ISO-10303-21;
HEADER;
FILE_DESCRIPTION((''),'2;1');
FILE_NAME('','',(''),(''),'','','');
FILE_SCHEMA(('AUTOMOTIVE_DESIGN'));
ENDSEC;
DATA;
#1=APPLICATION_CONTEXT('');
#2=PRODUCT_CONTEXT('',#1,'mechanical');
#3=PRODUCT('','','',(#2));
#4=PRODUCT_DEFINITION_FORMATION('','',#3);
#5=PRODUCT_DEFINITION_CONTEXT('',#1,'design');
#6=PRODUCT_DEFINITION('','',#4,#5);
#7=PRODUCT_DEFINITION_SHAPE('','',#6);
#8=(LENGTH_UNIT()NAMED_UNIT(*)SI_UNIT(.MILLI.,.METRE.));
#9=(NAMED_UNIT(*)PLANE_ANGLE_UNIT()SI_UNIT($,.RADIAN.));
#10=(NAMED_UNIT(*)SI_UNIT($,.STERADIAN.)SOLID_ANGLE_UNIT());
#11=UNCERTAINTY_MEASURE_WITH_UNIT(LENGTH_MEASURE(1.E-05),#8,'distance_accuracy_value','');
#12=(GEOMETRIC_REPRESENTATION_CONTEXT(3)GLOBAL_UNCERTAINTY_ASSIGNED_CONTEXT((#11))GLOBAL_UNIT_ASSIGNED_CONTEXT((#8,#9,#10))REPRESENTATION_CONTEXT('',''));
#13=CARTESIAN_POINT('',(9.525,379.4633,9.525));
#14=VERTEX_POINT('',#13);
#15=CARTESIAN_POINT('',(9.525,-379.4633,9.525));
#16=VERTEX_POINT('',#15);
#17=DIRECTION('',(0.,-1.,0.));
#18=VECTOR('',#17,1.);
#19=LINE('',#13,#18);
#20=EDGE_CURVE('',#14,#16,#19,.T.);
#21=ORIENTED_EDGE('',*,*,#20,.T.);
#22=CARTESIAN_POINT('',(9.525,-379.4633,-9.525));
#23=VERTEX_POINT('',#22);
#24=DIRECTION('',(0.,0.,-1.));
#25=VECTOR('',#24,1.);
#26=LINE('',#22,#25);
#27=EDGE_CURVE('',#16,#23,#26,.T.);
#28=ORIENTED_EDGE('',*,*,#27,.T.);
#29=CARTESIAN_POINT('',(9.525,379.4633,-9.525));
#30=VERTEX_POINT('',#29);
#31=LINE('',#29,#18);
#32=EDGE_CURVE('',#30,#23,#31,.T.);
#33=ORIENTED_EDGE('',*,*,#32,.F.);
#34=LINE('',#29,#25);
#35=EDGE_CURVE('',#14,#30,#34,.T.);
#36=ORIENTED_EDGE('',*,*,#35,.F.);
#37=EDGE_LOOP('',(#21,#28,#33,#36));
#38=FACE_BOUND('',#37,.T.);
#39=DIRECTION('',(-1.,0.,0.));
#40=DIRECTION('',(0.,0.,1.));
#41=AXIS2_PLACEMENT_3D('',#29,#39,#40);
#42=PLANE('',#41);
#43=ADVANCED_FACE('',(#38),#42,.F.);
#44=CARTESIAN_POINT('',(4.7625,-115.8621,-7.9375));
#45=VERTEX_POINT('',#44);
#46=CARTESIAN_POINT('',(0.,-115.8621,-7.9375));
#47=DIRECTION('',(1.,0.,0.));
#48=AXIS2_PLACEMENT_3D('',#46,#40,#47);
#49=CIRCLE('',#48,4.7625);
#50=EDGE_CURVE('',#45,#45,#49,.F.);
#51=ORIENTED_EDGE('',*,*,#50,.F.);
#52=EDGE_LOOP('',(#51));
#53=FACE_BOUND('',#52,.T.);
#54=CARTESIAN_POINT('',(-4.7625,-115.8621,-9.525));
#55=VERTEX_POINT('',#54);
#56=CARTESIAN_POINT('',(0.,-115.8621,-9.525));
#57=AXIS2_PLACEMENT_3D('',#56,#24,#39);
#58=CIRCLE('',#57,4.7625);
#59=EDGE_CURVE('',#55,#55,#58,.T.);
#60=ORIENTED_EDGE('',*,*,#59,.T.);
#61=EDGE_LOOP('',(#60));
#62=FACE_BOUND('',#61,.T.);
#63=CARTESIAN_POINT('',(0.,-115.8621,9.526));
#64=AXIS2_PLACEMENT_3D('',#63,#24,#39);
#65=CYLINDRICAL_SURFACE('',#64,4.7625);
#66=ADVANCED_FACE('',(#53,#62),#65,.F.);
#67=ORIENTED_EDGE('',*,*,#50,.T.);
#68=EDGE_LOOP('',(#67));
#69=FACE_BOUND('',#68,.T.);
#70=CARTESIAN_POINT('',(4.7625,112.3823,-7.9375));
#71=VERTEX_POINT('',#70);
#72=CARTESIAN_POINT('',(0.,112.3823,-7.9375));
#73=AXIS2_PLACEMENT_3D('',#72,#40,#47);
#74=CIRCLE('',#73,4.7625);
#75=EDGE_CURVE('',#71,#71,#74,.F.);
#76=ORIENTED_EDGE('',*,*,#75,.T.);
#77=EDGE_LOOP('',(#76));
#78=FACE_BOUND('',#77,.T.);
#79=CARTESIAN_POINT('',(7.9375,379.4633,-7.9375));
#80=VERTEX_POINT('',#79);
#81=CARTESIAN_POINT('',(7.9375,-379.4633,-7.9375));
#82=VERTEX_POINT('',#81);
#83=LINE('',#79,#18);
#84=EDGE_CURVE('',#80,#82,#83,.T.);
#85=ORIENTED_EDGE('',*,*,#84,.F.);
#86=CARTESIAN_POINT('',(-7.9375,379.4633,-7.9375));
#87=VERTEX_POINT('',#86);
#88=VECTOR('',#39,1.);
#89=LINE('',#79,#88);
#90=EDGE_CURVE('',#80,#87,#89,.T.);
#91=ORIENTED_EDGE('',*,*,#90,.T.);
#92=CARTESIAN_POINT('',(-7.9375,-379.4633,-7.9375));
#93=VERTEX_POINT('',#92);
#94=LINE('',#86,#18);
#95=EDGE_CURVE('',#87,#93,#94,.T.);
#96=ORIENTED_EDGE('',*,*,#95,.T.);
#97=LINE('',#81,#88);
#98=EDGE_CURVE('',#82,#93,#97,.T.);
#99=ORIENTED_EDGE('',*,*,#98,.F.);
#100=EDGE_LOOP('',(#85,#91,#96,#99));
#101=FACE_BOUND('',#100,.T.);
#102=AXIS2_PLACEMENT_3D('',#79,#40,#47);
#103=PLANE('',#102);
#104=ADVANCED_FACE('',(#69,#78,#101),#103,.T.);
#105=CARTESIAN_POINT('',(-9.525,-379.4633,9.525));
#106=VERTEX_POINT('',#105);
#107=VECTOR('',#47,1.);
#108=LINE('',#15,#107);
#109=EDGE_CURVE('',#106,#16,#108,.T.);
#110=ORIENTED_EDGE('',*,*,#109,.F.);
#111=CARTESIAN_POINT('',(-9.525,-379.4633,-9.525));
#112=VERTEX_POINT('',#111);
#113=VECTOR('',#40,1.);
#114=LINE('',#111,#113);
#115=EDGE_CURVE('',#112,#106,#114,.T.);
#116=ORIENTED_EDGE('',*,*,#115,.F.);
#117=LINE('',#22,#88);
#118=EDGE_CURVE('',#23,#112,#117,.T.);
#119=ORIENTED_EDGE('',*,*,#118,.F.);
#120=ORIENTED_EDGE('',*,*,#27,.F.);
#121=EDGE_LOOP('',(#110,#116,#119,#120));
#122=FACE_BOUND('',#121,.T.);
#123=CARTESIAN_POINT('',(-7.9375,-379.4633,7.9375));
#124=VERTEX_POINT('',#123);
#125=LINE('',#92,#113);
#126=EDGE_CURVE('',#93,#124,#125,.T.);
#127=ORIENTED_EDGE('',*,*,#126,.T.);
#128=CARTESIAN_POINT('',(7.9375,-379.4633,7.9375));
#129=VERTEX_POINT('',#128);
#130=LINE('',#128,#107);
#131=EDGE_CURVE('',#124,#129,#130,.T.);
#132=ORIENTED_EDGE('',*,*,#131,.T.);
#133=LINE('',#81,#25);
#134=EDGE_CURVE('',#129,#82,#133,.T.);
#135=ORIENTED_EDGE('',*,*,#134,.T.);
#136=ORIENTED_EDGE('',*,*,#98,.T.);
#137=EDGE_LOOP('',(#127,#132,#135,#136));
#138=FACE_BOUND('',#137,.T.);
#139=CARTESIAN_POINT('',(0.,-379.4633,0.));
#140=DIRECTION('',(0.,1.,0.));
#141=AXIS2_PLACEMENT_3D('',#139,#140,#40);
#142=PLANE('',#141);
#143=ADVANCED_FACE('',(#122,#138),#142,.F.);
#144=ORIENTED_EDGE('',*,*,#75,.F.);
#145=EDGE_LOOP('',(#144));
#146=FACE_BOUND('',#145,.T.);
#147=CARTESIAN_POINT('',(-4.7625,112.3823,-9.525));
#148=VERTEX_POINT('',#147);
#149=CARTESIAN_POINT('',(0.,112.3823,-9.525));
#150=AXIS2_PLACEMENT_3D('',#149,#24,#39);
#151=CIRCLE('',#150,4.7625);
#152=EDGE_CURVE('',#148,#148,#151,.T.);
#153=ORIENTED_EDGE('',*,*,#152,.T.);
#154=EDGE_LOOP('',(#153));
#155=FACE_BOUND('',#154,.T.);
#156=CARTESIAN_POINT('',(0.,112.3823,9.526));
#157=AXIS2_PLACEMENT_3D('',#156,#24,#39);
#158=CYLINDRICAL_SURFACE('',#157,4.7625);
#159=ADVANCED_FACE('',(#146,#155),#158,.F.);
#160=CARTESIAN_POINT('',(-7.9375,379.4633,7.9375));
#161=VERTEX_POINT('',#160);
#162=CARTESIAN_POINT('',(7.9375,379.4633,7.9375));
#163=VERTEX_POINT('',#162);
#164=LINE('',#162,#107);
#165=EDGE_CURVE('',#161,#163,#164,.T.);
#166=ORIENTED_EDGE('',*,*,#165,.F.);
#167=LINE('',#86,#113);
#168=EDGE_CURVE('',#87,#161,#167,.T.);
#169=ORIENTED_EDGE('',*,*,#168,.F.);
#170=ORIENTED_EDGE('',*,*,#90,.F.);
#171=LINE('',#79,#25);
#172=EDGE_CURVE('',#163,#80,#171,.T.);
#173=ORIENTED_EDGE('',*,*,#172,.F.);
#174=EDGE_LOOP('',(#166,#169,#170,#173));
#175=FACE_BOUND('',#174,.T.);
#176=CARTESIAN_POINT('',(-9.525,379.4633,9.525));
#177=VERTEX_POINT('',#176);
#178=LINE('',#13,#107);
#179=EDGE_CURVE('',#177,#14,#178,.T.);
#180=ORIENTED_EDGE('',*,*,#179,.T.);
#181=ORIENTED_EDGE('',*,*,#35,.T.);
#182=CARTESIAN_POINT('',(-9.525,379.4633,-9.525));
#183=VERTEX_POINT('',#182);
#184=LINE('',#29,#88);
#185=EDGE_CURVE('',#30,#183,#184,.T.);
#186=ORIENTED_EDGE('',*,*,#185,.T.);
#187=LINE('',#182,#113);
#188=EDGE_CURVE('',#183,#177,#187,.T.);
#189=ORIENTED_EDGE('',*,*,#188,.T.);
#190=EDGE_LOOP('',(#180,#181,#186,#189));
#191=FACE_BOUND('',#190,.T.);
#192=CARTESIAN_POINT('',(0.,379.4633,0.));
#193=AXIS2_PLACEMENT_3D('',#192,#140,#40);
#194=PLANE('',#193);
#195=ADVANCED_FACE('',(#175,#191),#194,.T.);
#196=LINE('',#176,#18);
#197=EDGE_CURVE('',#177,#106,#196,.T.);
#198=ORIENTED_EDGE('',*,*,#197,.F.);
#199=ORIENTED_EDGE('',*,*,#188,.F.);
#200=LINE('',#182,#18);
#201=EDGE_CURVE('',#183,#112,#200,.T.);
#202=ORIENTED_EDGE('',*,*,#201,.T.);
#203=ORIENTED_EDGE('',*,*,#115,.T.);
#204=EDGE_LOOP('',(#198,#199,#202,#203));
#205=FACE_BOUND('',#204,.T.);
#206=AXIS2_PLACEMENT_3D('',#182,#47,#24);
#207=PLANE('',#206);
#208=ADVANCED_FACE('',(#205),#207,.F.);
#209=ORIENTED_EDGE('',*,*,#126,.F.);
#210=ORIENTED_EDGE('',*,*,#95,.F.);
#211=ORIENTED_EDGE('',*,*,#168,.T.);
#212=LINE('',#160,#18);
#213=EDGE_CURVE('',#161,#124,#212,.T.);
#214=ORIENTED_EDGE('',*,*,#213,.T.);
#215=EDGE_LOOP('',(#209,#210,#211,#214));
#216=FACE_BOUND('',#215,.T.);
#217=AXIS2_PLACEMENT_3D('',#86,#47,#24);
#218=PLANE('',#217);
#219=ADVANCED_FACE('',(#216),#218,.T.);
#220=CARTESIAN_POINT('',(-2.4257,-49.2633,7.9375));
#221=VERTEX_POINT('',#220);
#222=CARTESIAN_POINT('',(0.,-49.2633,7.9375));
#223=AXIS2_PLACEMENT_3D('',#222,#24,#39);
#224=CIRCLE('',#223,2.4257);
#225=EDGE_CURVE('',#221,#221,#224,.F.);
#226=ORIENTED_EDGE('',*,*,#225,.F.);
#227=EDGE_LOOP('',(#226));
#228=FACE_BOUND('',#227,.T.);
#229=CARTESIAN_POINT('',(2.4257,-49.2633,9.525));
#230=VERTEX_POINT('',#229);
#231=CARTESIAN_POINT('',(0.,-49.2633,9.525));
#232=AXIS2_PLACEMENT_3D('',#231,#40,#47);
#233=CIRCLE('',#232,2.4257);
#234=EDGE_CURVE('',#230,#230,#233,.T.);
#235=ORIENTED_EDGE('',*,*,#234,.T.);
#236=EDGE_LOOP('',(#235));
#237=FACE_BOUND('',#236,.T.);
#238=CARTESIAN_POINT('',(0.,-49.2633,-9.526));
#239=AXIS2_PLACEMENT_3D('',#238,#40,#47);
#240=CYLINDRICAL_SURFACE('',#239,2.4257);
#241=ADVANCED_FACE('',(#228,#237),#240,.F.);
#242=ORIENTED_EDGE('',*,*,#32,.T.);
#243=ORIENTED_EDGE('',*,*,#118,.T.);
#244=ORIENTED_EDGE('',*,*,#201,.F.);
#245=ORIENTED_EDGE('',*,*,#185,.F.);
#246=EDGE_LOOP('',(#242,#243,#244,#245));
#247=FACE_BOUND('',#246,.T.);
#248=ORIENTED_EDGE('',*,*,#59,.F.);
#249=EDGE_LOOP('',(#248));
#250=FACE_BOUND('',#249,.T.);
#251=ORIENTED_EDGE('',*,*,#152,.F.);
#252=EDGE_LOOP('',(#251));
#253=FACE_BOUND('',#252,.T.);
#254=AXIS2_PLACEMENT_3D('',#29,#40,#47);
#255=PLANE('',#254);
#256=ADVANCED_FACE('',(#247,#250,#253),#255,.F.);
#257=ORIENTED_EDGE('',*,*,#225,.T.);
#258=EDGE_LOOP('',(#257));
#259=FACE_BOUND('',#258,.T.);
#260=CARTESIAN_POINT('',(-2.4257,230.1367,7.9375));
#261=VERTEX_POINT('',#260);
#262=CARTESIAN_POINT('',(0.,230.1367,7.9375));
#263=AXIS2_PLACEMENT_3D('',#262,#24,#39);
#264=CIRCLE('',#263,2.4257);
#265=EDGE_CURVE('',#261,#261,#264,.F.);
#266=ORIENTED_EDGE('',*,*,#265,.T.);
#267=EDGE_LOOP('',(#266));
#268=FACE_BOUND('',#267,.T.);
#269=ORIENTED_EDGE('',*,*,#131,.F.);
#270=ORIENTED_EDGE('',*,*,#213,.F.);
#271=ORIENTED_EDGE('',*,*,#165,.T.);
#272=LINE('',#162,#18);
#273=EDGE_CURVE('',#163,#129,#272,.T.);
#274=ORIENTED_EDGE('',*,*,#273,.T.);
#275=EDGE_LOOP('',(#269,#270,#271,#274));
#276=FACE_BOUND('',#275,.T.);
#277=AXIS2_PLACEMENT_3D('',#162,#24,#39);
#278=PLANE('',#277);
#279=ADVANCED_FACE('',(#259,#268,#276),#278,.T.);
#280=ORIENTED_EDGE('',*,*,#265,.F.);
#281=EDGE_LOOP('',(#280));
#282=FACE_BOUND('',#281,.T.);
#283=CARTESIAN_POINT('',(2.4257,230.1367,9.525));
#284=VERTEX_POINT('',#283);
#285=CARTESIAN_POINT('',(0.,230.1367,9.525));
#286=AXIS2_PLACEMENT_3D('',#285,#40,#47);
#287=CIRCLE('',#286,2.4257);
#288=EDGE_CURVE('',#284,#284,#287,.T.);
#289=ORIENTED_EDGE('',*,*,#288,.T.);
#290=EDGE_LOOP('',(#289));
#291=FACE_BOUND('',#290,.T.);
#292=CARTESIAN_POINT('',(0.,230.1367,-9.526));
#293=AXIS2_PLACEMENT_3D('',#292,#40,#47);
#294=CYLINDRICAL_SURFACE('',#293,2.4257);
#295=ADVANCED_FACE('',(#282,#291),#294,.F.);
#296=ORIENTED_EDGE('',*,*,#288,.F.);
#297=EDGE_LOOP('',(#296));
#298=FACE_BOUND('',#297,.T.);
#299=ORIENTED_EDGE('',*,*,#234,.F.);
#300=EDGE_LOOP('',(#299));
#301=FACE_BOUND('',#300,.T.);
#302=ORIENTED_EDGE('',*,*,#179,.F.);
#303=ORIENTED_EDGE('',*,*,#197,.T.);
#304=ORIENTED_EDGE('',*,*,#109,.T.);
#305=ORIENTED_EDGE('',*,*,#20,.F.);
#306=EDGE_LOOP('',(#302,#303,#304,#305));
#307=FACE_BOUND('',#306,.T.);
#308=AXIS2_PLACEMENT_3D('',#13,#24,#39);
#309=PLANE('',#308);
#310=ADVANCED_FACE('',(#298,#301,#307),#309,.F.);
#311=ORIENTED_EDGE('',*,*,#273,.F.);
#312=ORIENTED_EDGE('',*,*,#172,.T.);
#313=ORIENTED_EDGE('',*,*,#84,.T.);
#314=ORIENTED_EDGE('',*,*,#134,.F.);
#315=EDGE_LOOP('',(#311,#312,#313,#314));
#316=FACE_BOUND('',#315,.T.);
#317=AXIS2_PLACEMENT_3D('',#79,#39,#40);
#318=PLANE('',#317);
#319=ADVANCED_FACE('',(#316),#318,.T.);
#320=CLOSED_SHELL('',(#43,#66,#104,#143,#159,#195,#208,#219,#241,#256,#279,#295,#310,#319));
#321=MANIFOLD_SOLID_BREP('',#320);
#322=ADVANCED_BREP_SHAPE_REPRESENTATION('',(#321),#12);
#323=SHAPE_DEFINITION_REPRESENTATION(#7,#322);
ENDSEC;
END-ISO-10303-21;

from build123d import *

# Parameters (mm, degrees)
SKETCH1_W           = 19.05
SKETCH1_H           = 19.05
SKETCH1_W_2         = 15.875
SKETCH1_H_2         = 15.875
BOSS_EXTRUDE1_DEPTH = 379.4633
SHELF_HOLES_REACH   = 21.05
SKETCH2_R           = 2.4257
CUT_EXTRUDE1_REACH  = 21.05
SKETCH3_R           = 4.7625


with BuildPart() as part:
    # Sketch1 → Boss-Extrude1 (new body, symmetric)
    with BuildSketch(Plane.ZX):
        Rectangle(SKETCH1_W, SKETCH1_H)
        Rectangle(SKETCH1_W_2, SKETCH1_H_2, mode=Mode.SUBTRACT)
    extrude(amount=BOSS_EXTRUDE1_DEPTH, both=True)

    # Sketch2 → Shelf Holes (cut, up to next)
    with BuildSketch(Plane.XY.offset(9.525), mode=Mode.PRIVATE) as shelf_holes_sk1:
        with Locations((0, -49.2633)):
            Circle(SKETCH2_R)
    shelf_holes_tool1 = extrude(shelf_holes_sk1.sketch, amount=-SHELF_HOLES_REACH, mode=Mode.PRIVATE) & part.part
    add(shelf_holes_tool1.solids().sort_by_distance((0, -49.2633, 9.525))[0], mode=Mode.SUBTRACT)
    # Sketch2 → Shelf Holes (cut, up to next)
    with BuildSketch(Plane.XY.offset(9.525), mode=Mode.PRIVATE) as shelf_holes_sk2:
        with Locations((0, 230.1367)):
            Circle(SKETCH2_R)
    shelf_holes_tool2 = extrude(shelf_holes_sk2.sketch, amount=-SHELF_HOLES_REACH, mode=Mode.PRIVATE) & part.part
    add(shelf_holes_tool2.solids().sort_by_distance((0, 230.1367, 9.525))[0], mode=Mode.SUBTRACT)

    # Sketch3 → Cut-Extrude1 (cut, up to next)
    with BuildSketch(Plane(origin=(0, 0, -9.525), x_dir=(-1, 0, 0), z_dir=(0, 0, -1)), mode=Mode.PRIVATE) as cut_extrude1_sk1:
        with Locations((0, 112.3823)):
            Circle(SKETCH3_R)
    cut_extrude1_tool1 = extrude(cut_extrude1_sk1.sketch, amount=-CUT_EXTRUDE1_REACH, mode=Mode.PRIVATE) & part.part
    add(cut_extrude1_tool1.solids().sort_by_distance((0, 112.3823, -9.525))[0], mode=Mode.SUBTRACT)
    # Sketch3 → Cut-Extrude1 (cut, up to next)
    with BuildSketch(Plane(origin=(0, 0, -9.525), x_dir=(-1, 0, 0), z_dir=(0, 0, -1)), mode=Mode.PRIVATE) as cut_extrude1_sk2:
        with Locations((0, -115.8621)):
            Circle(SKETCH3_R)
    cut_extrude1_tool2 = extrude(cut_extrude1_sk2.sketch, amount=-CUT_EXTRUDE1_REACH, mode=Mode.PRIVATE) & part.part
    add(cut_extrude1_tool2.solids().sort_by_distance((0, -115.8621, -9.525))[0], mode=Mode.SUBTRACT)


solid = part.part
